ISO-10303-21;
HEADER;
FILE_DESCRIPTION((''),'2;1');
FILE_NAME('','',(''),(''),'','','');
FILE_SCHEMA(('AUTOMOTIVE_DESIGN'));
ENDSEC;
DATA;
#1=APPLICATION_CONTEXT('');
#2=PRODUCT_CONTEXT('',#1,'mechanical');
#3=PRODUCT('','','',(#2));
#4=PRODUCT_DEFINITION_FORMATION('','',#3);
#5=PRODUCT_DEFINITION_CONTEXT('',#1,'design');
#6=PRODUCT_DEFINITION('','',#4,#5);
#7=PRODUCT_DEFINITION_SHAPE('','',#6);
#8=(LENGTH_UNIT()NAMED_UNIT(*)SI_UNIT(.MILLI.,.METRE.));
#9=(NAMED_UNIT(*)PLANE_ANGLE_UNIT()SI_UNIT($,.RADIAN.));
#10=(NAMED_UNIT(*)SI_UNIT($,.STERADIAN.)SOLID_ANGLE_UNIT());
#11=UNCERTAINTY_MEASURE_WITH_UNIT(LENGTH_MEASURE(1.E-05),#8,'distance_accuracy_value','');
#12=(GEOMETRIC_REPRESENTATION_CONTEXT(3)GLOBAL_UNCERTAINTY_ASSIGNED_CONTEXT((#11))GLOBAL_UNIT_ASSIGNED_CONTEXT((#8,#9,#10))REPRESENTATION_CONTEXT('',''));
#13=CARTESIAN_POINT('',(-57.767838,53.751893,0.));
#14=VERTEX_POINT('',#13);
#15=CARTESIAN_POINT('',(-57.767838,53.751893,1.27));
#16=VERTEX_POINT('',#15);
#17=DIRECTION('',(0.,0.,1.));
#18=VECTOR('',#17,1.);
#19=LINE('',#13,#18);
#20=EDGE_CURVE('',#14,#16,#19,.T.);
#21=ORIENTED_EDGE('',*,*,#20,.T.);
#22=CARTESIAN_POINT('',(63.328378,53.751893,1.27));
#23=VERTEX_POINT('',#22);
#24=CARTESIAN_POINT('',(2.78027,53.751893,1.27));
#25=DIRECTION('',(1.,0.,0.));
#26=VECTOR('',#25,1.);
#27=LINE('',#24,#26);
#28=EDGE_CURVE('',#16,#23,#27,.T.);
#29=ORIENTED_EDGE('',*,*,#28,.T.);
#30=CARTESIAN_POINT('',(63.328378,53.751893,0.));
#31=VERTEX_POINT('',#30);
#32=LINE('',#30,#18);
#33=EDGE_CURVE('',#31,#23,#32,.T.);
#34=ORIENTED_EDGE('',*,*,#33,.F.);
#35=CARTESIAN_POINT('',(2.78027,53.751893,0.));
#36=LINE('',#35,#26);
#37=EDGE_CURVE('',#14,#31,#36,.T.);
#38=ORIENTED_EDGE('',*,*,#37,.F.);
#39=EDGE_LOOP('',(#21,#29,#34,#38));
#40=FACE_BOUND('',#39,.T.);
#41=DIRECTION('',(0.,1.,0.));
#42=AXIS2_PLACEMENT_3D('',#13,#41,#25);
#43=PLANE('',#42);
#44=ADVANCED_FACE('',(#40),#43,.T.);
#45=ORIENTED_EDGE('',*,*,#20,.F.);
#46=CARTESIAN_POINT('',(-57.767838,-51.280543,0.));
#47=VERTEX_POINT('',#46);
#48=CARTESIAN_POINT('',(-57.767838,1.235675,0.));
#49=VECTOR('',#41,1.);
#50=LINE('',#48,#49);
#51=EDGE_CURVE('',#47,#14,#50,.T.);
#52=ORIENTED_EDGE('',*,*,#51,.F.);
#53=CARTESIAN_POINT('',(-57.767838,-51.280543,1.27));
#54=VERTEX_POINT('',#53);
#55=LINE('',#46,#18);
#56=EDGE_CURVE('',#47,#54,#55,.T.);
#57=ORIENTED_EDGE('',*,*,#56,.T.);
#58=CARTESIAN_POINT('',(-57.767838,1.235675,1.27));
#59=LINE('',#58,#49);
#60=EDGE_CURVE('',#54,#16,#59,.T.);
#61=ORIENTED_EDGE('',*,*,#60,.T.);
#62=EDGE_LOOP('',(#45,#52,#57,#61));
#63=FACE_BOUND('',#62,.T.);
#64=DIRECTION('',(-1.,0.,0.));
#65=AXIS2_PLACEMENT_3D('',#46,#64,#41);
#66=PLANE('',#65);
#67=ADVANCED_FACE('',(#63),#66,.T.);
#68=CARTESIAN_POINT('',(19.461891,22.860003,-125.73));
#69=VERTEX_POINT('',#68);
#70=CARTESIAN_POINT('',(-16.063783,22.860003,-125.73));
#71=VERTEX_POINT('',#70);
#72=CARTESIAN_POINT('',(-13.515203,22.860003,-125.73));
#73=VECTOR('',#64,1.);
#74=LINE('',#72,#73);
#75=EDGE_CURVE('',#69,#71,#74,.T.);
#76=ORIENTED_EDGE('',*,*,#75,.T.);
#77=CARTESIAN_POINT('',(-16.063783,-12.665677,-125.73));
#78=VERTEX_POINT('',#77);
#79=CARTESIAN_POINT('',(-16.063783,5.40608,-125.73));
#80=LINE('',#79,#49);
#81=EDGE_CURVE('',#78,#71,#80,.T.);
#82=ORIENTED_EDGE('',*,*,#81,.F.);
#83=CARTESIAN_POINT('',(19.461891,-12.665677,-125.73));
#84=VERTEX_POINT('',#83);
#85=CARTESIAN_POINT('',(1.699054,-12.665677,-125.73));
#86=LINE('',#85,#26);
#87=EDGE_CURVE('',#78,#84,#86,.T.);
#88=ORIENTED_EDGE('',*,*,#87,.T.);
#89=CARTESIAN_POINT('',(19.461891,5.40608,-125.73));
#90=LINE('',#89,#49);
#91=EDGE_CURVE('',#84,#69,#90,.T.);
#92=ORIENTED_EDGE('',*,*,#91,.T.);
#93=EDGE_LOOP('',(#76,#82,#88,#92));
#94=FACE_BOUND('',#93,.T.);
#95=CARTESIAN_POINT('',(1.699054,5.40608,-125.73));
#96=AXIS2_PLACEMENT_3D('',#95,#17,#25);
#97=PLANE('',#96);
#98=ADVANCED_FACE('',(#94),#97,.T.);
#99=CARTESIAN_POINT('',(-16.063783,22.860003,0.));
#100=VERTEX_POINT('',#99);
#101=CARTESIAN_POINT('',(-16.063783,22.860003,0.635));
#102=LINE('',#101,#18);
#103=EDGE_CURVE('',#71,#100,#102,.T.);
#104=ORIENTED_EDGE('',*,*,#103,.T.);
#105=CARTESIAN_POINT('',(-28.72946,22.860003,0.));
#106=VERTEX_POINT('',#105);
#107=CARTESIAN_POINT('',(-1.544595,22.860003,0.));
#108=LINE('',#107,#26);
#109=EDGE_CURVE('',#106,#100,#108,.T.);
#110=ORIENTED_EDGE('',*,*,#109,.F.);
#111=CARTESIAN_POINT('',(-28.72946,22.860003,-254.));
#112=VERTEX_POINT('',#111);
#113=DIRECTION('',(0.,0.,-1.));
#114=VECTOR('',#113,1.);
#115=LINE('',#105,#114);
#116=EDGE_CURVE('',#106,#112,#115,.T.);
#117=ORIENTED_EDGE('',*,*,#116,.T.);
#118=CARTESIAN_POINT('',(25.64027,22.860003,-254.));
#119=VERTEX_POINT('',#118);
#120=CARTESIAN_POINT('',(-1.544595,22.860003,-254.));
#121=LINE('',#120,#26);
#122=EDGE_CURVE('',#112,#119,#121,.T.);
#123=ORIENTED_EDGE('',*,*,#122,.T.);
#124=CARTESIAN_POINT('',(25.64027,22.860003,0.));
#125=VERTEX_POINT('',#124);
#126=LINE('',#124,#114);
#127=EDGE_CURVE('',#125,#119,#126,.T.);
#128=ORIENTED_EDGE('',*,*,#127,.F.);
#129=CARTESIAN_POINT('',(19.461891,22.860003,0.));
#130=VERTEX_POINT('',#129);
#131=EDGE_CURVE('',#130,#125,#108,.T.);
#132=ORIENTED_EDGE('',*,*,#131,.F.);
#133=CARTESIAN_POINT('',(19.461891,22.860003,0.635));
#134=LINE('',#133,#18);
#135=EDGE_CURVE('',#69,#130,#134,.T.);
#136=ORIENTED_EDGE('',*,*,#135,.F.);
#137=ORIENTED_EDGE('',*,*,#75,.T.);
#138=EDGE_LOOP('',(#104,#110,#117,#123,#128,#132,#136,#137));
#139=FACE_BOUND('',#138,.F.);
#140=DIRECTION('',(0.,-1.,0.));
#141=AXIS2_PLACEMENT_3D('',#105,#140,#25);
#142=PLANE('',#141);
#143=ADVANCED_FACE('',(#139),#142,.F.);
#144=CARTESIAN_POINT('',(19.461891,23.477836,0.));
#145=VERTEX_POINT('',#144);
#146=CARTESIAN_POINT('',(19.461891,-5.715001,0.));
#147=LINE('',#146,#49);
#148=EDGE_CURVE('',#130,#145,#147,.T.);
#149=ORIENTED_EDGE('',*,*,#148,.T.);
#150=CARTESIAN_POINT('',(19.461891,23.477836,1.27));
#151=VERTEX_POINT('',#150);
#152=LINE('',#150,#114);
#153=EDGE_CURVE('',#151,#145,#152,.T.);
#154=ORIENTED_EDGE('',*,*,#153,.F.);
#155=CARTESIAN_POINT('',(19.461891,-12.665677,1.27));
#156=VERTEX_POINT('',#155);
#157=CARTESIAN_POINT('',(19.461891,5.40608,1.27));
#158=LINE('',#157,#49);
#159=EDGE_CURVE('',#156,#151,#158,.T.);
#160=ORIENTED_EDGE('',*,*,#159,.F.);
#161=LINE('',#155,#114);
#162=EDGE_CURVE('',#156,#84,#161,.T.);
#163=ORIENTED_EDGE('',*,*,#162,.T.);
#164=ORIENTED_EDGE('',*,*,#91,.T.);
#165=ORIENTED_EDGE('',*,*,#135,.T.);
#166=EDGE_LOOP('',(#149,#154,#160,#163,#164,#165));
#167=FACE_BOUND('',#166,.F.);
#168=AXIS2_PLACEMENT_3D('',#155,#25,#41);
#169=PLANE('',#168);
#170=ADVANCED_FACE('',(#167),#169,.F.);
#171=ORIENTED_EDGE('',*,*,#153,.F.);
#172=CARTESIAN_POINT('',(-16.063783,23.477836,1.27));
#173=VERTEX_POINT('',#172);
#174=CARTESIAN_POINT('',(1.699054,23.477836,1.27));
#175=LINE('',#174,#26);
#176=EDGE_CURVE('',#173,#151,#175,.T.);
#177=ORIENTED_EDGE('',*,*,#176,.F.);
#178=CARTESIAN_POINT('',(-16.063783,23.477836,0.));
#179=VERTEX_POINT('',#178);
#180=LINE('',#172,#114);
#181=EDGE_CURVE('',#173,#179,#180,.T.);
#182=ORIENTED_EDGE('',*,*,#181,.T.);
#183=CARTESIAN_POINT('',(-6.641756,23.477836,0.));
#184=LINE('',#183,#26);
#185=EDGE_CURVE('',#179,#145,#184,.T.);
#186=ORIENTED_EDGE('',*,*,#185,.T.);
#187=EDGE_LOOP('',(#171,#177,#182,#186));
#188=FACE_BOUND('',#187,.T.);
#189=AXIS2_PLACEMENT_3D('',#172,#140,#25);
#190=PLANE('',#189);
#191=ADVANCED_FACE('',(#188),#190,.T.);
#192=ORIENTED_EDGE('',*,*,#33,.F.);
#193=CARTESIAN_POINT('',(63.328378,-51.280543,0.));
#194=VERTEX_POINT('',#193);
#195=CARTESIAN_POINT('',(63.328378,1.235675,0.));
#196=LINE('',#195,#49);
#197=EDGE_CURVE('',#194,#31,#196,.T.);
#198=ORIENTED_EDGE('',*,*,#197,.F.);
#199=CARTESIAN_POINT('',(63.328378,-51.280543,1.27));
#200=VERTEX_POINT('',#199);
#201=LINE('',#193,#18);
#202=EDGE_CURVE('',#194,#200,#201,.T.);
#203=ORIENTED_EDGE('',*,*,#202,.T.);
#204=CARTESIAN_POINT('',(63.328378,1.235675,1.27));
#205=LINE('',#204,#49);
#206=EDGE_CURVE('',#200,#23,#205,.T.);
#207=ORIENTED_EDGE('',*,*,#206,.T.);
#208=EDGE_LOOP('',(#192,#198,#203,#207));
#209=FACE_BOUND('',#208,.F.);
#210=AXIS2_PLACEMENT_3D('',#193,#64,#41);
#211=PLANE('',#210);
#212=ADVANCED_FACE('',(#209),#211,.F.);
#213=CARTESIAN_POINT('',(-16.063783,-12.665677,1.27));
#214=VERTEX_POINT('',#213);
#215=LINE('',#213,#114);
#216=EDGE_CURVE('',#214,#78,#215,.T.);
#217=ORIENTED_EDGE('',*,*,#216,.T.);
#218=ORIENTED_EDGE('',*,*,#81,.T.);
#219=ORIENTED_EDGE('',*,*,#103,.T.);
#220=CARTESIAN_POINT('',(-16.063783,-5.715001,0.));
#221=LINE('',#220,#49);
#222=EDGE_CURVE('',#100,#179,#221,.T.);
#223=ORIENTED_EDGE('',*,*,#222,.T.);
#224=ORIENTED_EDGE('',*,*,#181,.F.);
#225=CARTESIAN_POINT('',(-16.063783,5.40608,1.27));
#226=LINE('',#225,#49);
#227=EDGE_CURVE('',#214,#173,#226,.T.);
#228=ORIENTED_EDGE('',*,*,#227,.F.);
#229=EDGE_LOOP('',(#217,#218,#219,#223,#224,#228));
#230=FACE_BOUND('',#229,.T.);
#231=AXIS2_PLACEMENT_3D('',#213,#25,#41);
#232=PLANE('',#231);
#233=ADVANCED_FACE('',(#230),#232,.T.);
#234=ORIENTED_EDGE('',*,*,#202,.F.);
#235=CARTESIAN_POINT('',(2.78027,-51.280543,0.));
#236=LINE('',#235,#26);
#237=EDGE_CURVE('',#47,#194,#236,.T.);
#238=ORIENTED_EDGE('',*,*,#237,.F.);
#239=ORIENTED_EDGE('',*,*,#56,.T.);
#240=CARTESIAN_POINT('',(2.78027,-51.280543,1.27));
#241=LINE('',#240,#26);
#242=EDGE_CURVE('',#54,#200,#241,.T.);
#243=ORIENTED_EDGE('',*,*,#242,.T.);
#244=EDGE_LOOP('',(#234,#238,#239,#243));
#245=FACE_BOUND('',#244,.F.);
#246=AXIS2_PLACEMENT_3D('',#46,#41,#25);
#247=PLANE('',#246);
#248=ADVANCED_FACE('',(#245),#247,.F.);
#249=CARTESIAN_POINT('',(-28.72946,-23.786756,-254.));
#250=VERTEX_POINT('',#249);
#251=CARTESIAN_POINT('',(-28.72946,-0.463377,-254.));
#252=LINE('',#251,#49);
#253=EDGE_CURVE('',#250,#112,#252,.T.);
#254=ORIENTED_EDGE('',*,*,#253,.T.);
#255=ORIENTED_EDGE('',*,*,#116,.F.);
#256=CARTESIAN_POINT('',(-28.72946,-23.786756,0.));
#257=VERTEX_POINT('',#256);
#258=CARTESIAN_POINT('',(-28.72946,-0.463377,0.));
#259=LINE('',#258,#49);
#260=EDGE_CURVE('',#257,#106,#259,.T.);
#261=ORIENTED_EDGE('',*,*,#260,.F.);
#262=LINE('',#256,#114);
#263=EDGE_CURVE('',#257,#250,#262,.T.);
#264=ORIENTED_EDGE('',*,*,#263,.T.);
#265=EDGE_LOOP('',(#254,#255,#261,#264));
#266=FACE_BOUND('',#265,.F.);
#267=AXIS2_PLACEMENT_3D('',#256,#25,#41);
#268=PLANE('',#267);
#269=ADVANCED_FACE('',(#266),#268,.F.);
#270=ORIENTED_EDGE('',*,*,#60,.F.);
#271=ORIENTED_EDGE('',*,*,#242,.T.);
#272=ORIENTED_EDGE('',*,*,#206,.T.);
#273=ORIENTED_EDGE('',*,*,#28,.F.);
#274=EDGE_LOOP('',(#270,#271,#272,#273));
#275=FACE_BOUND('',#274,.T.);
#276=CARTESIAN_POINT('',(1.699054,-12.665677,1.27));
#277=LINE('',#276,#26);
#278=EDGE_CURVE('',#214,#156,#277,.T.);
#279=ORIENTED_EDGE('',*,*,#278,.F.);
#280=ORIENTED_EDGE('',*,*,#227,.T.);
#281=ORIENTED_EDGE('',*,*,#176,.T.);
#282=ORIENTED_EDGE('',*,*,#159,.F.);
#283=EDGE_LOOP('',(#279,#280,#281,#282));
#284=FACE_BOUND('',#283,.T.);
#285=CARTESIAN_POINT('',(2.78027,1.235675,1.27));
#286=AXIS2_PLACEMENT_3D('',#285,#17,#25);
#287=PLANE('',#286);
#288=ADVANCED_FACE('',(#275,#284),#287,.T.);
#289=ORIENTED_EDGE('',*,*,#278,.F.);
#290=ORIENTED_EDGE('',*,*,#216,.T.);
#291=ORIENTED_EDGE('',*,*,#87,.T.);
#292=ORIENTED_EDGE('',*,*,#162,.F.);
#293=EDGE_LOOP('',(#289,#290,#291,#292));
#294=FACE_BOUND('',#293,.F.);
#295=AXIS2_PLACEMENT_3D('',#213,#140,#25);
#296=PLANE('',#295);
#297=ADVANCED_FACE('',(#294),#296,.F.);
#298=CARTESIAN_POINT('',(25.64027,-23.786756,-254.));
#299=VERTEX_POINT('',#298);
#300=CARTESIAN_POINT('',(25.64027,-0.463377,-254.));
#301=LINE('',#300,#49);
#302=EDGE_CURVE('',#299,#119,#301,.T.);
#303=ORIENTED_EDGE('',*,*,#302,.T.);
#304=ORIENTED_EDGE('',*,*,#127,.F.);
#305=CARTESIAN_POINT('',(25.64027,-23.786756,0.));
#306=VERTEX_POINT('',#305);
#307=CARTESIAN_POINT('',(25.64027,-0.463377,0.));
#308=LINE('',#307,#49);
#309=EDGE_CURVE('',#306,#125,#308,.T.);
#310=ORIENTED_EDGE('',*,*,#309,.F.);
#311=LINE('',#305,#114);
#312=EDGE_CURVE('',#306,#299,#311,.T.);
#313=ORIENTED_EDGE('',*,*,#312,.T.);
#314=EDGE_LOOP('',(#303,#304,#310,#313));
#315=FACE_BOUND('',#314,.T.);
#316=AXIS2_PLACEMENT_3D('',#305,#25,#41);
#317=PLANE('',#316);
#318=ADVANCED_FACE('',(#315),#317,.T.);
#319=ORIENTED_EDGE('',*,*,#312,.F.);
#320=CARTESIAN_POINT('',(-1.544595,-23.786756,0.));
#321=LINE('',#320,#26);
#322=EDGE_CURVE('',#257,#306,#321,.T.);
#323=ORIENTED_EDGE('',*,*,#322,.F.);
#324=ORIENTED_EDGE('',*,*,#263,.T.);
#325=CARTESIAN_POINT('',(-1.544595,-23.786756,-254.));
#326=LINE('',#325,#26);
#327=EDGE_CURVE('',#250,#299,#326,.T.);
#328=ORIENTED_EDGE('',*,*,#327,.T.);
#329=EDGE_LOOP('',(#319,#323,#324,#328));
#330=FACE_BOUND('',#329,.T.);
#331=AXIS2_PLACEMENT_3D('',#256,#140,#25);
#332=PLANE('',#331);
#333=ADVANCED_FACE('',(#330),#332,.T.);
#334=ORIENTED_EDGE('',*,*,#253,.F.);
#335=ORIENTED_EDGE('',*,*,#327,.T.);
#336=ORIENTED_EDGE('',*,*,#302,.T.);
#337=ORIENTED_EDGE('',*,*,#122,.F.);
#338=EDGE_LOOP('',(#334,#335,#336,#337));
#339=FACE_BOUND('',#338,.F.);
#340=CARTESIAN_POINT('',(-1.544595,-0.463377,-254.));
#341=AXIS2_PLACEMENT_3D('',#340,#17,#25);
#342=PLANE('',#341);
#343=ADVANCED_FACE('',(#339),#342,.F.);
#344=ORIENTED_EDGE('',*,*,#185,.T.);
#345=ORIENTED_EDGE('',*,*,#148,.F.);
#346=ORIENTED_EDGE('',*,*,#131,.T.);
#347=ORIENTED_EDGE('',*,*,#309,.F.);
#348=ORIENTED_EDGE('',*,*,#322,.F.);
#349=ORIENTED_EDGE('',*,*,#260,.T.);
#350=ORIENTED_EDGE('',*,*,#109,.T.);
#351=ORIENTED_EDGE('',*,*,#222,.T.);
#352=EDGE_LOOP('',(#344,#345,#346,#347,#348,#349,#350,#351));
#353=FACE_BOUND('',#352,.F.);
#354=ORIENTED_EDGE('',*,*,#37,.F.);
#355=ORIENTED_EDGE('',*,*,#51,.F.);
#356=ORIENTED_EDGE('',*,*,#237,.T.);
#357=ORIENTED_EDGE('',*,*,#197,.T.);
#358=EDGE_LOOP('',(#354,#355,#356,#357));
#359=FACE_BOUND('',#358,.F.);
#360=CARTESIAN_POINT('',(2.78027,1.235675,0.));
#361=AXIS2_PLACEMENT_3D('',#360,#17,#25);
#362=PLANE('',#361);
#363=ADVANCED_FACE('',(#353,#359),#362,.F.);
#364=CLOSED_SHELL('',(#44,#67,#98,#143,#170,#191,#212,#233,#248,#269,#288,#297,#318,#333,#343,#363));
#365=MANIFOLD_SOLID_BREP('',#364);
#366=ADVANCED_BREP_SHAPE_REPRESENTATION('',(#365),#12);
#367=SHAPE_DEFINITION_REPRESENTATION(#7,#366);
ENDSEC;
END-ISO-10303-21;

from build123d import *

# Parameters (mm, degrees)
F0_W     = 54.369731
F0_H     = 46.646759
F2_DEPTH = 254
F1_W     = 121.096216
F1_H     = 105.032436
F3_DEPTH = 1.27
F4_W     = 35.525674
F4_H     = 36.143513
F5_DEPTH = 127


with BuildPart() as f2:
    # F0 (on Top) → F2 (new body)
    with BuildSketch(Plane.XY):
        with Locations((-1.544595, -0.463377)):
            Rectangle(F0_W, F0_H)
    extrude(amount=-F2_DEPTH)

    # F1 (on Top) → F3 (join)
    with BuildSketch(Plane.XY):
        with Locations((2.78027, 1.235675)):
            Rectangle(F1_W, F1_H)
    extrude(amount=F3_DEPTH)

    # F4 (on face) → F5 (cut)
    with BuildSketch(Plane.XY.offset(1.27)):
        with Locations((1.699054, 5.40608)):
            Rectangle(F4_W, F4_H)
    extrude(amount=-F5_DEPTH, mode=Mode.SUBTRACT)


solid = f2.part
